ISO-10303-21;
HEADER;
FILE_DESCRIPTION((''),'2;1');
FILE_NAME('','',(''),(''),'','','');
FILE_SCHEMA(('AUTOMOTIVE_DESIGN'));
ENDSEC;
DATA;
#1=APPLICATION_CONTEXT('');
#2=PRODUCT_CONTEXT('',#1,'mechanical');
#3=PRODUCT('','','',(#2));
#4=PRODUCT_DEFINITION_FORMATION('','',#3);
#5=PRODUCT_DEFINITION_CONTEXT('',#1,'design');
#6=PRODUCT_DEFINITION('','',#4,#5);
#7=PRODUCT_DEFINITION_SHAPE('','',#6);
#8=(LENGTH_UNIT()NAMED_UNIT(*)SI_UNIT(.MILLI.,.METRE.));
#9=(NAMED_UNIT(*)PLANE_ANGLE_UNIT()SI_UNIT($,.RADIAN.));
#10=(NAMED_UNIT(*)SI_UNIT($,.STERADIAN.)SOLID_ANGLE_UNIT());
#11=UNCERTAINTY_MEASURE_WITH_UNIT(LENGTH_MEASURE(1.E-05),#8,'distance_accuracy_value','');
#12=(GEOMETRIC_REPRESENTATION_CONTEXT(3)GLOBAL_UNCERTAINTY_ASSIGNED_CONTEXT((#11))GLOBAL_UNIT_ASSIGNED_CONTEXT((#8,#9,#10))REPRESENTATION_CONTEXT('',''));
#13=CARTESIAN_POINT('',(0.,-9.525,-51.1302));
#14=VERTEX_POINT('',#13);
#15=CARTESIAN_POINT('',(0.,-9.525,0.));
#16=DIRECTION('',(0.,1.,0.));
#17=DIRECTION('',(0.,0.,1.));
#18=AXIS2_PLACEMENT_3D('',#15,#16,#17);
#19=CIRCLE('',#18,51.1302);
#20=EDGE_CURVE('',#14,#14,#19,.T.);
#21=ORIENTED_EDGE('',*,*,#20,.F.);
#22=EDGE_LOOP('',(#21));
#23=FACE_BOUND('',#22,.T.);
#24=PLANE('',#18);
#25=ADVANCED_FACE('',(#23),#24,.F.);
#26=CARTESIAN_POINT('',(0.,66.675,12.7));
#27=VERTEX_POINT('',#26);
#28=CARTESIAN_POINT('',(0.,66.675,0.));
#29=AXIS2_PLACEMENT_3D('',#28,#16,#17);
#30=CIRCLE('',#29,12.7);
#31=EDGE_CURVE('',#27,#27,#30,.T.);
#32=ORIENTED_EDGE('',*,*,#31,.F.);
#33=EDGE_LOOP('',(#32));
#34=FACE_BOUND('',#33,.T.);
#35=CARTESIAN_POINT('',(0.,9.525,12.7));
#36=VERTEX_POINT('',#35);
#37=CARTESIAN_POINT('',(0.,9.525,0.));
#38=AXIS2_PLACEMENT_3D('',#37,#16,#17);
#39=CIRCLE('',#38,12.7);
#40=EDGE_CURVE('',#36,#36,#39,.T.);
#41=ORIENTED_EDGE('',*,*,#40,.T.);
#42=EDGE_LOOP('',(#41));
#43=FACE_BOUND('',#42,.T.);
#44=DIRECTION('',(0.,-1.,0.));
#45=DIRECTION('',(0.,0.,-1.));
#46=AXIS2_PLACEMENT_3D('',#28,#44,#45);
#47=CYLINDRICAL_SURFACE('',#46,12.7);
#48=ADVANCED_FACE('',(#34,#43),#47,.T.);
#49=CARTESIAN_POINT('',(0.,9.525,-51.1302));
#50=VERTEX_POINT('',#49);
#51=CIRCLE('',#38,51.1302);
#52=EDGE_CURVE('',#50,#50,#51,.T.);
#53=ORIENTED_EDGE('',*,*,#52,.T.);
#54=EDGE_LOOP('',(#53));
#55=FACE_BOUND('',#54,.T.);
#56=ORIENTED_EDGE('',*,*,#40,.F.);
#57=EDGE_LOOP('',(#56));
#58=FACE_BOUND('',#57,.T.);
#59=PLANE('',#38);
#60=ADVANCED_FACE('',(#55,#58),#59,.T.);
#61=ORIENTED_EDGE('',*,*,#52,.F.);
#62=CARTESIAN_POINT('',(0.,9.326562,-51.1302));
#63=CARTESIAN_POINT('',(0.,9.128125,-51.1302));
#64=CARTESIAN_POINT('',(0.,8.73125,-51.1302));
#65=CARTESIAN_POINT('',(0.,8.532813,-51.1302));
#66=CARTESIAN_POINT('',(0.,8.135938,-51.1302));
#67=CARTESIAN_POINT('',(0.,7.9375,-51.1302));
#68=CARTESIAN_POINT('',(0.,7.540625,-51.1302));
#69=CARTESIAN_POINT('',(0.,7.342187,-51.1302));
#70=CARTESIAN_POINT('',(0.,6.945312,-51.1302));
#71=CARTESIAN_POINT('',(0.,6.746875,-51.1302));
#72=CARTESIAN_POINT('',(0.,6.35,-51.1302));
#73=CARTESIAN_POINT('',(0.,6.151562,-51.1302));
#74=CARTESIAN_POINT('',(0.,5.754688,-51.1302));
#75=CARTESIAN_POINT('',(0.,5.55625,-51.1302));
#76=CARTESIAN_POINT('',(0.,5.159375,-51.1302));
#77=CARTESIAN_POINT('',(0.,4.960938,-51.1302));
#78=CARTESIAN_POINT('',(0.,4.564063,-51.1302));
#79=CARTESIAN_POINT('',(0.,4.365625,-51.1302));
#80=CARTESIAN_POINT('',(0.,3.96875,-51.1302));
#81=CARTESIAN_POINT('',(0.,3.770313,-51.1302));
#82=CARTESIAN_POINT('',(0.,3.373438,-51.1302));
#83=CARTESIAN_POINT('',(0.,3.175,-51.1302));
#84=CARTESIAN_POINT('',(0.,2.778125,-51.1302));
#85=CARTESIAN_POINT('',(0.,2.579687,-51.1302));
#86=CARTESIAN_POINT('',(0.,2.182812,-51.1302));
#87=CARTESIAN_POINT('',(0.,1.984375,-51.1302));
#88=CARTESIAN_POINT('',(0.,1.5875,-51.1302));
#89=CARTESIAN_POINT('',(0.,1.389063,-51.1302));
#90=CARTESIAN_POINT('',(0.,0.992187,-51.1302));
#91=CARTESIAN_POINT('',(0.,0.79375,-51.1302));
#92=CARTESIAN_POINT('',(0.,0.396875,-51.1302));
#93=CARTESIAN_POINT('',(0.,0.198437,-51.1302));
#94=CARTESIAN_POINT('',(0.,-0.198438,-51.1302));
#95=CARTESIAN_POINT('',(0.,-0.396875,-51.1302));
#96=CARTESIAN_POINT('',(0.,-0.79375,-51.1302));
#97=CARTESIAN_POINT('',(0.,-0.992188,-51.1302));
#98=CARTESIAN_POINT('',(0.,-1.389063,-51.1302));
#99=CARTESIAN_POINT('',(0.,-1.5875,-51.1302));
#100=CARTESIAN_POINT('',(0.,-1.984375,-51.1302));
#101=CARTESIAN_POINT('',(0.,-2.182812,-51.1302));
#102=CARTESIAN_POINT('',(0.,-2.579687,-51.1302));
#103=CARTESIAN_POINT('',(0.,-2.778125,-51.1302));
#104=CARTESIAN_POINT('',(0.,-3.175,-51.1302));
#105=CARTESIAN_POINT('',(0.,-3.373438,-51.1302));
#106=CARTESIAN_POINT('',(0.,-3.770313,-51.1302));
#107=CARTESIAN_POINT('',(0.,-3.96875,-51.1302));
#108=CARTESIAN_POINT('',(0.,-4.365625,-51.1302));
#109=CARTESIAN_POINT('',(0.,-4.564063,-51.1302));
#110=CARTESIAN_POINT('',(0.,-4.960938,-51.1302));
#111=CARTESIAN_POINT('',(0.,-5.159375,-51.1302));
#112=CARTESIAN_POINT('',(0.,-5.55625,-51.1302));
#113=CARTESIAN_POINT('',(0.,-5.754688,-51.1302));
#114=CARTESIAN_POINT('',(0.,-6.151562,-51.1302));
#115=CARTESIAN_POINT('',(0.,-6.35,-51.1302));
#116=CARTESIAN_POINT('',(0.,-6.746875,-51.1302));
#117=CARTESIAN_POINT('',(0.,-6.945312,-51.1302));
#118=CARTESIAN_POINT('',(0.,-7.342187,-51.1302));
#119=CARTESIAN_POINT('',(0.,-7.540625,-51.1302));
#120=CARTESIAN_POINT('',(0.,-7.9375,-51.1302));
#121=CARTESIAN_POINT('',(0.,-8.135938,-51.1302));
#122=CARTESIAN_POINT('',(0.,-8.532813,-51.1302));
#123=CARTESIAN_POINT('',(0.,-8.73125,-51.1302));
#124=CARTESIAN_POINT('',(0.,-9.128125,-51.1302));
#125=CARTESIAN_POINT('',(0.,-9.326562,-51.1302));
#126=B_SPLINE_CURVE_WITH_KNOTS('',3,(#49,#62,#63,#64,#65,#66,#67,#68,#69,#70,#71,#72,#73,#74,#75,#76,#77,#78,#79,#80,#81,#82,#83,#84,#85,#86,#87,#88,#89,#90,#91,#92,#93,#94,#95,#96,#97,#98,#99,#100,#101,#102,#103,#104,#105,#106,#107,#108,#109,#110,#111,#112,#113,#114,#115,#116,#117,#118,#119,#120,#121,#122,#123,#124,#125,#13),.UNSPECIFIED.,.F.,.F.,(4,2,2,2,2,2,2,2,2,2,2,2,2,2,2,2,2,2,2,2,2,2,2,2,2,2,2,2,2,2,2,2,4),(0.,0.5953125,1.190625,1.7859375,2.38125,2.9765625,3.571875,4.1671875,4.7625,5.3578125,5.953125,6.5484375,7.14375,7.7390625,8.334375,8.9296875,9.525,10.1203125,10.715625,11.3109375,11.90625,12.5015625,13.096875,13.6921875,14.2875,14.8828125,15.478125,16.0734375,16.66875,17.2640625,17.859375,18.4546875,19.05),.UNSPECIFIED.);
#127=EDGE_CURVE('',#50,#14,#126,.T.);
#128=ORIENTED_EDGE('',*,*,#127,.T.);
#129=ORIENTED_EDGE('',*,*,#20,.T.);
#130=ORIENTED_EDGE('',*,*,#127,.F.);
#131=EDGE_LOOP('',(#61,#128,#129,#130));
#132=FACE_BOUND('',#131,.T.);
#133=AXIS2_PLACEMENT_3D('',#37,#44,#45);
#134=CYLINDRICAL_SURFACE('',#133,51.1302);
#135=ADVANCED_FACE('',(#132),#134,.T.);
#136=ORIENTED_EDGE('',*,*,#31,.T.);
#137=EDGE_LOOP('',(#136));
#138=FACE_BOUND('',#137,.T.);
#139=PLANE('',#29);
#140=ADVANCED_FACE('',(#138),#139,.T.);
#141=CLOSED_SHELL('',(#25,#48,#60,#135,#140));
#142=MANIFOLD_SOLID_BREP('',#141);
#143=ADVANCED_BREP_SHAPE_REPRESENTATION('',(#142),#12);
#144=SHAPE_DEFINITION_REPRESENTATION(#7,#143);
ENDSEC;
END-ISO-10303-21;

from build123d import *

# Parameters (mm, degrees)
SKETCH1_R           = 51.1302
BOSS_EXTRUDE1_DEPTH = 9.525
SKETCH2_R           = 12.7
BOSS_EXTRUDE2_DEPTH = 57.15


with BuildPart() as part:
    # Sketch1 → Boss-Extrude1 (new, symmetric)
    with BuildSketch(Plane(origin=(0, 0, 0), x_dir=(1, 0, 0), z_dir=(0, 1, 0))):
        with Locations(Location((0, 0, 0), (0, 0, 90))):
            Circle(SKETCH1_R)
    extrude(amount=BOSS_EXTRUDE1_DEPTH, both=True)

    # Sketch2 → Boss-Extrude2 (add)
    with BuildSketch(Plane(origin=(0, 9.525, 0), x_dir=(1, 0, 0), z_dir=(0, 1, 0))):
        with Locations(Location((0, 0, 0), (0, 0, 270))):
            Circle(SKETCH2_R)
    extrude(amount=BOSS_EXTRUDE2_DEPTH)


solid = part.part
